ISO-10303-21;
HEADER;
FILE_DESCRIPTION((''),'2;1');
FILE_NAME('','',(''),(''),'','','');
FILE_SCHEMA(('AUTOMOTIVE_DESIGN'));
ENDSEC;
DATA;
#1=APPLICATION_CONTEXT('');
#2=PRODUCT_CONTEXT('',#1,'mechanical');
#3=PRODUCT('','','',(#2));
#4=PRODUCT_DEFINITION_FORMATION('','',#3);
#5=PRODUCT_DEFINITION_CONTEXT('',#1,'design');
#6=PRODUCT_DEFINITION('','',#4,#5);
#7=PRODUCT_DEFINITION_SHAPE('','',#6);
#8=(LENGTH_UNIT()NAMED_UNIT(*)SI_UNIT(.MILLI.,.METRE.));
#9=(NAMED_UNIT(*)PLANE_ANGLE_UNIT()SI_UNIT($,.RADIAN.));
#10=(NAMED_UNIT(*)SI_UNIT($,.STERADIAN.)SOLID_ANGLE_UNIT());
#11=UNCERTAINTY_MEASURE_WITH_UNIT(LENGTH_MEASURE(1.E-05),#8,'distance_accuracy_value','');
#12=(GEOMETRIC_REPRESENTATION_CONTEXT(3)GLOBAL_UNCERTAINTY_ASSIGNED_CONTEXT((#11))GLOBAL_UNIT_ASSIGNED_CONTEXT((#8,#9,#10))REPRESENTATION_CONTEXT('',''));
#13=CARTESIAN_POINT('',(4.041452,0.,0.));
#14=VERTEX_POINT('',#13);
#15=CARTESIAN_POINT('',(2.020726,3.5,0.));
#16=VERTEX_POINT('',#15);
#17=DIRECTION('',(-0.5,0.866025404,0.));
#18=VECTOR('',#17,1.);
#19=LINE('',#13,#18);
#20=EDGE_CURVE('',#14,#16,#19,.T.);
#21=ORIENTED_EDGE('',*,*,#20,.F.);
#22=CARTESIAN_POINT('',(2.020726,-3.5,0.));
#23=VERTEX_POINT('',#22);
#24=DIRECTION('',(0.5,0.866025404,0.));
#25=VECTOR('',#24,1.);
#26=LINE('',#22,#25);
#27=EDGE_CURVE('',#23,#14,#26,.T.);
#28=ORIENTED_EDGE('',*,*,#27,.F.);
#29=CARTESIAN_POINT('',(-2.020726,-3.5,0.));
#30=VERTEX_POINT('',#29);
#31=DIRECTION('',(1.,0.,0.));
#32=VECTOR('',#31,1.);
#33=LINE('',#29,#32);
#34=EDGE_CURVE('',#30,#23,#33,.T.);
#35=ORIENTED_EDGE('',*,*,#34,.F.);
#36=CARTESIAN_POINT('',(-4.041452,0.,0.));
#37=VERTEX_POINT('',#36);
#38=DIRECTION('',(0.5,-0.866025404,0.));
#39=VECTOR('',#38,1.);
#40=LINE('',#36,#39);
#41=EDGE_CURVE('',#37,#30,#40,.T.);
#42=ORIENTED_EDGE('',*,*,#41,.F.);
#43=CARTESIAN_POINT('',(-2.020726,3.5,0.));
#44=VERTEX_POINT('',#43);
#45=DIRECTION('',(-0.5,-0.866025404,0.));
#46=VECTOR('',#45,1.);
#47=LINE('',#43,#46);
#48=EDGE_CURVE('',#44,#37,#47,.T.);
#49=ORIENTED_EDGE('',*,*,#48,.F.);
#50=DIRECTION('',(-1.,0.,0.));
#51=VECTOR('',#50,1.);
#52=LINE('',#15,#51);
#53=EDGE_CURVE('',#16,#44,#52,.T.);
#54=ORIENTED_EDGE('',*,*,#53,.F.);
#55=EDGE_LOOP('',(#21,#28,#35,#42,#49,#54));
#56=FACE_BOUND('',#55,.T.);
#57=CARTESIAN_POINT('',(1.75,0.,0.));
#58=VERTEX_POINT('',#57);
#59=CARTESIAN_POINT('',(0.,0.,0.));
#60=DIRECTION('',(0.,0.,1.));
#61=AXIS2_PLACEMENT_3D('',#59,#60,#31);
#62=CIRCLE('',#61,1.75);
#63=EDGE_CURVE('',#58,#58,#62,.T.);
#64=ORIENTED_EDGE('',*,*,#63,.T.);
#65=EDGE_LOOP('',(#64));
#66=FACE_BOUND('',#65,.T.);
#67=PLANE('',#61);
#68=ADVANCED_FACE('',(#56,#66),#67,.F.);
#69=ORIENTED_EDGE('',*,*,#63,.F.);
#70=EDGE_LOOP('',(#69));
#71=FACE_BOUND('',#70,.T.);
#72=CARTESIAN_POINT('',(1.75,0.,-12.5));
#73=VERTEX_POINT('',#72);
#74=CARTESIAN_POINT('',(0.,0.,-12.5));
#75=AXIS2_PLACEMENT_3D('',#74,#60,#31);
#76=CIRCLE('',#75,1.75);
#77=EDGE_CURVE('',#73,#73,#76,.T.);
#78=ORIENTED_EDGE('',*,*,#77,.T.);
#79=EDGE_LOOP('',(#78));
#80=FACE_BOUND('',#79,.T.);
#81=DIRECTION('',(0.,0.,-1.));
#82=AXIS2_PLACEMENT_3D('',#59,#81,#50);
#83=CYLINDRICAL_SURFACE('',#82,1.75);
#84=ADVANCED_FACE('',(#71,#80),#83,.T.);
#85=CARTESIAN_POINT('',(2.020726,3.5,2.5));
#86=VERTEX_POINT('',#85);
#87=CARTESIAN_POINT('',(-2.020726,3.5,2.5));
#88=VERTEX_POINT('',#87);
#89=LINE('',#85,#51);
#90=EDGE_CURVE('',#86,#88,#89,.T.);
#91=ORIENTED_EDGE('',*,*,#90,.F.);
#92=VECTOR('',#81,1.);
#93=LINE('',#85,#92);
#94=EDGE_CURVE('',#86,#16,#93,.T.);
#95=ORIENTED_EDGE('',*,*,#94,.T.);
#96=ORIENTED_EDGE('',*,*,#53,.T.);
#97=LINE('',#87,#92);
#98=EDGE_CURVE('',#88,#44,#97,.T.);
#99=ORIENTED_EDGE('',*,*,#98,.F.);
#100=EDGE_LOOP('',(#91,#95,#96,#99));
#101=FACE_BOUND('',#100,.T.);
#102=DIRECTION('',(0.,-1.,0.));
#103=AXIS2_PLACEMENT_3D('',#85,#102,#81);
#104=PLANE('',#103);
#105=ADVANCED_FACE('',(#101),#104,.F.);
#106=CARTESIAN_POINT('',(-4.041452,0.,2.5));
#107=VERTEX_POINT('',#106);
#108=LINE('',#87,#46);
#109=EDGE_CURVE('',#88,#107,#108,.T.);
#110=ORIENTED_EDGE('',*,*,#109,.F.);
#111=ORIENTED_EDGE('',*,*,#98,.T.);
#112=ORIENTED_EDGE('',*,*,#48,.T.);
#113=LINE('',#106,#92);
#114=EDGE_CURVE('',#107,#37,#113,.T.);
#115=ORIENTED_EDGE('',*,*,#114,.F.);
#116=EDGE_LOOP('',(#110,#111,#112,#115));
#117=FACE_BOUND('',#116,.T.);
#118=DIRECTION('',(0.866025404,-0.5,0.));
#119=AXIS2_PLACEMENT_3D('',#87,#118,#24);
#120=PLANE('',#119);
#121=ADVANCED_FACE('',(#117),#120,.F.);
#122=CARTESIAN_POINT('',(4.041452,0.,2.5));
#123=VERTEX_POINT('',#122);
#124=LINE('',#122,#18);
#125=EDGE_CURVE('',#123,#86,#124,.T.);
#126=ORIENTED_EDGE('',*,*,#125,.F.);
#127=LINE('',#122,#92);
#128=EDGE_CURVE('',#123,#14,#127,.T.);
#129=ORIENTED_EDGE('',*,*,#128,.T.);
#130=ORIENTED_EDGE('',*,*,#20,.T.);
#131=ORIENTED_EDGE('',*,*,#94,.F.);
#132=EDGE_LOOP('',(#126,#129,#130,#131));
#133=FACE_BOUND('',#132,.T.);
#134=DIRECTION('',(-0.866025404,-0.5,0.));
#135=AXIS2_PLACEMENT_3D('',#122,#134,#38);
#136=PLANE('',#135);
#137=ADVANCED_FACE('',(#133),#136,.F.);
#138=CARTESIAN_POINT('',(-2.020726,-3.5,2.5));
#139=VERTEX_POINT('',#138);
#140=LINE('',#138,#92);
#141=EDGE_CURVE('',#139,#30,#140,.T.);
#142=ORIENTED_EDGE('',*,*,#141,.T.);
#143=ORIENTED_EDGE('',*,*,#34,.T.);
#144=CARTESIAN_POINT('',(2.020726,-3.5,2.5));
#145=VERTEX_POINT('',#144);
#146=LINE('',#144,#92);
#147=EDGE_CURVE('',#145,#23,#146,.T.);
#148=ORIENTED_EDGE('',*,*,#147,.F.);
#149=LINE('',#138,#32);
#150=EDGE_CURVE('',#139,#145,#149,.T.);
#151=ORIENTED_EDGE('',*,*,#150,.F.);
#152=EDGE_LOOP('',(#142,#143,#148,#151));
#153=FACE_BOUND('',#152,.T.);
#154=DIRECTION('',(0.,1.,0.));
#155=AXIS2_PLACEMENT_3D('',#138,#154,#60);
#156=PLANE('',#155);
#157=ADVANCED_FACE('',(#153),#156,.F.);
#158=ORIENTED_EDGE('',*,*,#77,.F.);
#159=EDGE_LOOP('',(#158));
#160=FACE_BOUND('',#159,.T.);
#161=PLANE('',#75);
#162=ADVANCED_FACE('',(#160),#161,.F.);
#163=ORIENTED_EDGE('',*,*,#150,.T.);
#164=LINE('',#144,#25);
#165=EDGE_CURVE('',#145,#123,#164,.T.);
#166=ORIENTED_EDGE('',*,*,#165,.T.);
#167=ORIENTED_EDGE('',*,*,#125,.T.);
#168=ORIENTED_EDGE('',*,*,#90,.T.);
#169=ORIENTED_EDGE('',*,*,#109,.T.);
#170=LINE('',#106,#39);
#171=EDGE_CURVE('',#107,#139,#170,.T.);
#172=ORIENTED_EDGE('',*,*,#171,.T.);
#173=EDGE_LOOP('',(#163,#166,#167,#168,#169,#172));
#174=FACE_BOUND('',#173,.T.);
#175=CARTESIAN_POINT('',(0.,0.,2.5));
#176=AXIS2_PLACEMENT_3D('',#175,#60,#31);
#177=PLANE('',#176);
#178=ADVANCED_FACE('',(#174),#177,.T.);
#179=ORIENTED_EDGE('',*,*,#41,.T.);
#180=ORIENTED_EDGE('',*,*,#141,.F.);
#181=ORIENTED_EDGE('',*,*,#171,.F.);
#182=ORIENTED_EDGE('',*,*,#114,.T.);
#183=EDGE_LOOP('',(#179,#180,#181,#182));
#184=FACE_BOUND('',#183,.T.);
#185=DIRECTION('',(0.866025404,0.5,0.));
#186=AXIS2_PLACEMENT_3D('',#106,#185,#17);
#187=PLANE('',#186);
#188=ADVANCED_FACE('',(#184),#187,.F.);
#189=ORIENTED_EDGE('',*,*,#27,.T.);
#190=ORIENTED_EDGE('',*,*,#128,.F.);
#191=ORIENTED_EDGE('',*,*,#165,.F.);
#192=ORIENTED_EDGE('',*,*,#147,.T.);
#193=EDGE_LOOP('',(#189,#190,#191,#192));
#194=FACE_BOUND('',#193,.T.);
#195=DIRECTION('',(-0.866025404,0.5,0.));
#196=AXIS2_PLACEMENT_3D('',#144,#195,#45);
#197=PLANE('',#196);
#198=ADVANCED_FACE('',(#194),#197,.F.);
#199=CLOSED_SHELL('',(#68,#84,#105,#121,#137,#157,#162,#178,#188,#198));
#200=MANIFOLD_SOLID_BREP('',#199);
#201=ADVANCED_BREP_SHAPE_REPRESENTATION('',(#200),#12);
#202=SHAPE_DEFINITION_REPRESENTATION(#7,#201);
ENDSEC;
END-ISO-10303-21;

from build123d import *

# Parameters (mm, degrees)
BOSS_EXTRUDE1_DEPTH = 2.5
BOSS_EXTRUDE2_START = -12.5
SKETCH2_R           = 1.75
BOSS_EXTRUDE2_DEPTH = 12.5


with BuildPart() as part:
    # Sketch1 → Boss-Extrude1 (new body)
    with BuildSketch(Plane.XY):
        Polygon((4.041451884, 0), (2.020725942, 3.5), (-2.020725942, 3.5), (-4.041451884, 0), (-2.020725942, -3.5), (2.020725942, -3.5), align=None)
    extrude(amount=BOSS_EXTRUDE1_DEPTH)

    # Sketch2 → Boss-Extrude2 (add)
    with BuildSketch(Plane.XY.offset(BOSS_EXTRUDE2_START)):
        Circle(SKETCH2_R)
    extrude(amount=BOSS_EXTRUDE2_DEPTH)


solid = part.part
